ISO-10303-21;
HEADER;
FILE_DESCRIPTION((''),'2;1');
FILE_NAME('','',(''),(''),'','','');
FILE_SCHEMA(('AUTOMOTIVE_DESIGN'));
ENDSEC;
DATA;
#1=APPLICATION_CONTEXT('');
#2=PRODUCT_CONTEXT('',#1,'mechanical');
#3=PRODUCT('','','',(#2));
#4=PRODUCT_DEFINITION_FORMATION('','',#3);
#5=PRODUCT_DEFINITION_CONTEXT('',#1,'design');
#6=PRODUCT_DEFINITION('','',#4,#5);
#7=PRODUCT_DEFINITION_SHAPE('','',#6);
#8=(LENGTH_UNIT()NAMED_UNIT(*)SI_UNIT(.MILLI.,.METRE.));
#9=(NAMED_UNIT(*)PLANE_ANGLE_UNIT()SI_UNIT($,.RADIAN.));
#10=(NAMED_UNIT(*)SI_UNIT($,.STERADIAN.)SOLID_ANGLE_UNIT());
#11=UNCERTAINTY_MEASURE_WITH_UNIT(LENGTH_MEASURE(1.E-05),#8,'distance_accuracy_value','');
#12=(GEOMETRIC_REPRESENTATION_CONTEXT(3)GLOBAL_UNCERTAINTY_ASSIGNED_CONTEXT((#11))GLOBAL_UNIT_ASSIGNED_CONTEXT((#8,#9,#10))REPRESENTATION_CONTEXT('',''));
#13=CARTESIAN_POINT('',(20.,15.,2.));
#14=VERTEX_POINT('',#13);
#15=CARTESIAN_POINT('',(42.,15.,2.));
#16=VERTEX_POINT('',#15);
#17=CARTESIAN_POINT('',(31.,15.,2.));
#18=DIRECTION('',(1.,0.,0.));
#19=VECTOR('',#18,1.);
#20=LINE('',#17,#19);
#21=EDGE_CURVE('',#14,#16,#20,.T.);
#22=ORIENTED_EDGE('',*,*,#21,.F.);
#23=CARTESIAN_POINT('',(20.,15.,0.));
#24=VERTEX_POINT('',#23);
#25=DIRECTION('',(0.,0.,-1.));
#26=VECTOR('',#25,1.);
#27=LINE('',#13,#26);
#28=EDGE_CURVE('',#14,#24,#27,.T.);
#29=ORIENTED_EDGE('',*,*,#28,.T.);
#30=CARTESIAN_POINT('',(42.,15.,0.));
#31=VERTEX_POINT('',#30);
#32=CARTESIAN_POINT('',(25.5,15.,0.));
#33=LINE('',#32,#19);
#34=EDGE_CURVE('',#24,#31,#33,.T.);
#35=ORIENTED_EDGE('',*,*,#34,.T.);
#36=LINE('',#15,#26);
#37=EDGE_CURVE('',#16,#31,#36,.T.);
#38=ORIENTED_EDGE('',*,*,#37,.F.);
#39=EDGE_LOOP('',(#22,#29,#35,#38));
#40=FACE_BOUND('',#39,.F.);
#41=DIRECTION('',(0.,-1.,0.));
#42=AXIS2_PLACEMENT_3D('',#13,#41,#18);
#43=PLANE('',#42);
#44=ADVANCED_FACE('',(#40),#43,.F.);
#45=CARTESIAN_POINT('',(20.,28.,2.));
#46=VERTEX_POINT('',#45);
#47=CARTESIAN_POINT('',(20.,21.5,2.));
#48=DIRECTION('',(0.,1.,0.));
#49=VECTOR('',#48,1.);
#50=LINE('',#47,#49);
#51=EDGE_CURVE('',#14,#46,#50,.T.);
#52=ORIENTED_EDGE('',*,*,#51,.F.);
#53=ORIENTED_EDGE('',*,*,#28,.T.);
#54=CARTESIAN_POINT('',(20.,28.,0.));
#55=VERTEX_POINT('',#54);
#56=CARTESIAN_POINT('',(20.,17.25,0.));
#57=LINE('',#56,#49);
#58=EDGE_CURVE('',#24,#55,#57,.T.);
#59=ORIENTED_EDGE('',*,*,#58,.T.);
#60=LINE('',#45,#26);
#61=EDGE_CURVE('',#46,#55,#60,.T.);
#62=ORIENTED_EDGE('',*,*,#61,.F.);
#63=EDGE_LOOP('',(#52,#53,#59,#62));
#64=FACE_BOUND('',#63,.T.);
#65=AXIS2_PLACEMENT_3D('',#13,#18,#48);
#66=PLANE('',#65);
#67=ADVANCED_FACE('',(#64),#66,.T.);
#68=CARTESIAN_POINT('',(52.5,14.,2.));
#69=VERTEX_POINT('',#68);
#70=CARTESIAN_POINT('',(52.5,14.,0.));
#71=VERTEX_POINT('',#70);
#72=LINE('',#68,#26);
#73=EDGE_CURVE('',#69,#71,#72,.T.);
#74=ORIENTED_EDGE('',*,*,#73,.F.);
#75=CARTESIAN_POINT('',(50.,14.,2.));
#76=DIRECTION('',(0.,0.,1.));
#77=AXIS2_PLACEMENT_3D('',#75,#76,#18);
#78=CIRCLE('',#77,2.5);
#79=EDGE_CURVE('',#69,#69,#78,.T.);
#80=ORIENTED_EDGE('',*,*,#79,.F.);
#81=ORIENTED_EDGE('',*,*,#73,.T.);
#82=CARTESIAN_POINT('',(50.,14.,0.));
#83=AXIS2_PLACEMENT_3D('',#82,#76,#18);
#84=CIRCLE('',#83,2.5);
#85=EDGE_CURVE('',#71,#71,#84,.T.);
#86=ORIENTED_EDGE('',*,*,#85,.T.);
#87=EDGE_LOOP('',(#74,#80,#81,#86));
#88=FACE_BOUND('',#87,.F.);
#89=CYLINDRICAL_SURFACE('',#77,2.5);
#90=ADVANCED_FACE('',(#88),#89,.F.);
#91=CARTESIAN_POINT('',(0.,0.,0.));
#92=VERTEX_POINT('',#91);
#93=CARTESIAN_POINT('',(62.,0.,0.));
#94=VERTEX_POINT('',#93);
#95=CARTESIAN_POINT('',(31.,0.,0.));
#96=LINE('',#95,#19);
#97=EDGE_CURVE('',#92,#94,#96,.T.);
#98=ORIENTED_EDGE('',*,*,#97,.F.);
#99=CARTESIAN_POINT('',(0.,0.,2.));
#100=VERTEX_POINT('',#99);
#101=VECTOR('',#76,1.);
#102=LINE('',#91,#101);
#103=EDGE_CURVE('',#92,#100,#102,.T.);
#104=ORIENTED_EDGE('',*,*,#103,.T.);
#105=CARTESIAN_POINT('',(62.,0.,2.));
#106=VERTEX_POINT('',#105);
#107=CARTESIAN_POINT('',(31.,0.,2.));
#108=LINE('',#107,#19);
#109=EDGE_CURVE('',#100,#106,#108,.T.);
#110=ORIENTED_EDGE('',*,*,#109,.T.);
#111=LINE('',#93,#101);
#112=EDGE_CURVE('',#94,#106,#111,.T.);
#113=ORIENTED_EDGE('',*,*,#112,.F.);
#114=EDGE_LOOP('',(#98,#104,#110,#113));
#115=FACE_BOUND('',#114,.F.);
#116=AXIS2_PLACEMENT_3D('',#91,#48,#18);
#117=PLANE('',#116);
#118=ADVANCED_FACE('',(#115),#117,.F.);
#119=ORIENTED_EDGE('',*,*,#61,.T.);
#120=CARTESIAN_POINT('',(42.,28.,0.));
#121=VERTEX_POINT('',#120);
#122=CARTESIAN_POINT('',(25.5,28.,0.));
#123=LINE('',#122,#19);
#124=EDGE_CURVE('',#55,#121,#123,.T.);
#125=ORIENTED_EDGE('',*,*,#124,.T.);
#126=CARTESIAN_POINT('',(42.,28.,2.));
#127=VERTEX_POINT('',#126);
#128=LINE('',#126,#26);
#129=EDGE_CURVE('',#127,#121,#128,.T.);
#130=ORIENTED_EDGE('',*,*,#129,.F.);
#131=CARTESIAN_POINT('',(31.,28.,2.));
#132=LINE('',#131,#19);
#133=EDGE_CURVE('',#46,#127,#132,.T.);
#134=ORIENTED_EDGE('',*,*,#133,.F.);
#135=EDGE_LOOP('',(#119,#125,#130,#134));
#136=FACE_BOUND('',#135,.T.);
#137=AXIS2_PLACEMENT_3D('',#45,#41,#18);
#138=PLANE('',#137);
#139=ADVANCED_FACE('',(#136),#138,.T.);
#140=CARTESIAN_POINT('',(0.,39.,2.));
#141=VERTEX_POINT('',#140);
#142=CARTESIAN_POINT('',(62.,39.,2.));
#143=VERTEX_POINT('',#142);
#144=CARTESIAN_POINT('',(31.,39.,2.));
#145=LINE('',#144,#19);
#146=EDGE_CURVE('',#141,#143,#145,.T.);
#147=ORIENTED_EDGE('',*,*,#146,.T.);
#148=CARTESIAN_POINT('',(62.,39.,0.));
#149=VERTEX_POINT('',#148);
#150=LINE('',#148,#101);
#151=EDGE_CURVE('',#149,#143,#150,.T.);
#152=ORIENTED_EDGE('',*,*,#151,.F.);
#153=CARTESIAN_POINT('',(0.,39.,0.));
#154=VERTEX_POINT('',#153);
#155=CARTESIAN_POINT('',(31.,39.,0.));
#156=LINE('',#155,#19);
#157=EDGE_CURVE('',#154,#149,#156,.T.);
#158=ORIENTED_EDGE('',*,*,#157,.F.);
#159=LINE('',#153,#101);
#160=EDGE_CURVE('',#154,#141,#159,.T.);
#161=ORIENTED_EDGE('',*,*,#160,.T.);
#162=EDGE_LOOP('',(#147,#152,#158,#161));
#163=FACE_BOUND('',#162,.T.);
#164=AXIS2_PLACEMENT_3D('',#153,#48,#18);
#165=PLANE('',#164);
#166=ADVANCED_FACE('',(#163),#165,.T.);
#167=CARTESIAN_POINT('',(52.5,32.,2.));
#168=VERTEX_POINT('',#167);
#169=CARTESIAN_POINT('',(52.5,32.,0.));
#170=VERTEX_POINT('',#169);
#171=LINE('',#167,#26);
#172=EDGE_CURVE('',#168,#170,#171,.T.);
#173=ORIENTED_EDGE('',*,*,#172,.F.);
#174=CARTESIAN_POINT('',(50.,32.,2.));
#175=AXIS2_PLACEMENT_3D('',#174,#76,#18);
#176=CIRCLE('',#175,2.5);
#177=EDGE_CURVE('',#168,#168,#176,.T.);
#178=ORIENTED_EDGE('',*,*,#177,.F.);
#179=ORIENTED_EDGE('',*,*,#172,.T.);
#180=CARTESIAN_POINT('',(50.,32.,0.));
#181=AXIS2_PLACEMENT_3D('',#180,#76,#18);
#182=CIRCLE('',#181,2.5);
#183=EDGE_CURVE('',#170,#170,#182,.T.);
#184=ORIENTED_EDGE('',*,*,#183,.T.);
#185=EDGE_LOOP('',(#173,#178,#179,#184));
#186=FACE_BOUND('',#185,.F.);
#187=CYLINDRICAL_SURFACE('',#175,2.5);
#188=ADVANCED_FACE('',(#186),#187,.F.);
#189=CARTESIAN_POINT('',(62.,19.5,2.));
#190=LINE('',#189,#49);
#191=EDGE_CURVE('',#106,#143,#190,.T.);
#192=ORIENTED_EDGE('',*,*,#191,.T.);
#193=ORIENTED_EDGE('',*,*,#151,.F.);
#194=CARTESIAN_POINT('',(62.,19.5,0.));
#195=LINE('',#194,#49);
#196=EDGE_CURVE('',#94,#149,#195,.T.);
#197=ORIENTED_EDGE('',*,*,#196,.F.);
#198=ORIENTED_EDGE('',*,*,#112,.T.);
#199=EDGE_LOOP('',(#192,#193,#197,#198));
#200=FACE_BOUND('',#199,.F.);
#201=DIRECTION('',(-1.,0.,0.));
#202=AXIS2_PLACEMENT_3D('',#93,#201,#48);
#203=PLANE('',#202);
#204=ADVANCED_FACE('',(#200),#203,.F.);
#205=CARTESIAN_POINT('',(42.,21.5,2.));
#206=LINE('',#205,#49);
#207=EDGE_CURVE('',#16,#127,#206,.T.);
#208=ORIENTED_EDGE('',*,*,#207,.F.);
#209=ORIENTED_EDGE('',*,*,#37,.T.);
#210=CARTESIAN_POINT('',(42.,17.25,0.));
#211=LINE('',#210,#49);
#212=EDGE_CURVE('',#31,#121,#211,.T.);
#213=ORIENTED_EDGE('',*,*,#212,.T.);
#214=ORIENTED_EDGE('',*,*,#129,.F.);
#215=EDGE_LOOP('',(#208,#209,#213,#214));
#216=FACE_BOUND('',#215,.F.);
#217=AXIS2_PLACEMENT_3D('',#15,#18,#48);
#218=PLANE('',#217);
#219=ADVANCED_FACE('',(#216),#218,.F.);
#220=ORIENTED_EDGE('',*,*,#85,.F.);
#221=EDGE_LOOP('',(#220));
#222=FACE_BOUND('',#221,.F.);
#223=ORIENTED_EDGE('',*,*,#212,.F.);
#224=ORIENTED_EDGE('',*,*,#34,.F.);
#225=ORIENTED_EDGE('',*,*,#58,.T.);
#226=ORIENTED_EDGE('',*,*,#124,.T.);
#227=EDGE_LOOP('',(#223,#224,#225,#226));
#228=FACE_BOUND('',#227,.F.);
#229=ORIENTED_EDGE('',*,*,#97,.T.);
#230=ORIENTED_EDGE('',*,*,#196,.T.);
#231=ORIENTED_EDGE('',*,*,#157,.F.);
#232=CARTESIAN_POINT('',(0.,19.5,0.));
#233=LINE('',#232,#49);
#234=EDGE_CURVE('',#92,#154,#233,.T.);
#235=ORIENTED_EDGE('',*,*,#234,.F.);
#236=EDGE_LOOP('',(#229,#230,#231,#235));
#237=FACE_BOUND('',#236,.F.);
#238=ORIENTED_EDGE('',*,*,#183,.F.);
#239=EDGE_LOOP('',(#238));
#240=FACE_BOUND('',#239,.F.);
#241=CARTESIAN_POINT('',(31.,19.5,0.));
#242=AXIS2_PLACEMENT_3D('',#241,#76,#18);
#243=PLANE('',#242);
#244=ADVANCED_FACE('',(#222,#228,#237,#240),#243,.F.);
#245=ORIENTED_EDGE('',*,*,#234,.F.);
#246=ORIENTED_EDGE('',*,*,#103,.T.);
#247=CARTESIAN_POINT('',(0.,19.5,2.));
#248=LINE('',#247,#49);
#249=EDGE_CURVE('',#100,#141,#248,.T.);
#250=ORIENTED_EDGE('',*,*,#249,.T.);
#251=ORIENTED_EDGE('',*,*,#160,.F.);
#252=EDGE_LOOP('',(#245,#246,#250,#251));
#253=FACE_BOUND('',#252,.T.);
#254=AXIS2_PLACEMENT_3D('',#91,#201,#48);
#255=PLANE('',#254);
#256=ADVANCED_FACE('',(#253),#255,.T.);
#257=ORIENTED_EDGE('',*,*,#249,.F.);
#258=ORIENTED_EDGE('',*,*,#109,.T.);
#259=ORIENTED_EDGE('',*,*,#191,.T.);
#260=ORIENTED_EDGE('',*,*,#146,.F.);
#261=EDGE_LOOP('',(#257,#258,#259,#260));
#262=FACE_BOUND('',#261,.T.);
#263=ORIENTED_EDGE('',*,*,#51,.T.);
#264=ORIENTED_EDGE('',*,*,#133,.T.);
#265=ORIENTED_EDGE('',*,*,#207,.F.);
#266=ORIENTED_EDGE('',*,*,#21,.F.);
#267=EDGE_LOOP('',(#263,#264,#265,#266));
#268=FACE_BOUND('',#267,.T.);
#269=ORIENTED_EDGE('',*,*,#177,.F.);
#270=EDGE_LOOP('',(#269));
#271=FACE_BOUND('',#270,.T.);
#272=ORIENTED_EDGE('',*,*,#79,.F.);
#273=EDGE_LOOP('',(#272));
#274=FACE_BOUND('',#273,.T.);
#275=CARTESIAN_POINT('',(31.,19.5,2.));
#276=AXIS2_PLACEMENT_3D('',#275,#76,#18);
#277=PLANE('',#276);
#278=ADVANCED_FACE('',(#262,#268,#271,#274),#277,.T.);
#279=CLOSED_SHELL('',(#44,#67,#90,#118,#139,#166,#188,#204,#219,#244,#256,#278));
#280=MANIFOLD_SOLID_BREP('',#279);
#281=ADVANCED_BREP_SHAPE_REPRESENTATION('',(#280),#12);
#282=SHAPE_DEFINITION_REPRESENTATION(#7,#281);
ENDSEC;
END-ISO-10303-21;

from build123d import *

# Parameters (mm, degrees)
SKETCH_W        = 62
SKETCH_H        = 39
PAD_DEPTH       = 2
SKETCH001_W     = 22
SKETCH001_H     = 13
POCKET_DEPTH    = 2.001
SKETCH002_R     = 2.5
POCKET001_DEPTH = 5
SKETCH003_R     = 2.5
POCKET002_DEPTH = 5


with BuildPart() as part:
    # Sketch → Pad (new body)
    with BuildSketch(Plane.XY):
        with Locations((31, 19.5)):
            Rectangle(SKETCH_W, SKETCH_H)
    extrude(amount=PAD_DEPTH)

    # Sketch001 (on Face6 of Pad) → Pocket (cut, through all)
    with BuildSketch(Plane.XY.offset(2)):
        with Locations((31, 21.5)):
            Rectangle(SKETCH001_W, SKETCH001_H)
    extrude(amount=-POCKET_DEPTH, mode=Mode.SUBTRACT)

    # Sketch002 (on Face5 of Pocket) → Pocket001 (cut)
    with BuildSketch(Plane.XY.offset(2)):
        with Locations((50, 32)):
            Circle(SKETCH002_R)
    extrude(amount=-POCKET001_DEPTH, mode=Mode.SUBTRACT)

    # Sketch003 (on Face5 of Pocket001) → Pocket002 (cut)
    with BuildSketch(Plane.XY.offset(2)):
        with Locations((50, 14)):
            Circle(SKETCH003_R)
    extrude(amount=-POCKET002_DEPTH, mode=Mode.SUBTRACT)


solid = part.part
